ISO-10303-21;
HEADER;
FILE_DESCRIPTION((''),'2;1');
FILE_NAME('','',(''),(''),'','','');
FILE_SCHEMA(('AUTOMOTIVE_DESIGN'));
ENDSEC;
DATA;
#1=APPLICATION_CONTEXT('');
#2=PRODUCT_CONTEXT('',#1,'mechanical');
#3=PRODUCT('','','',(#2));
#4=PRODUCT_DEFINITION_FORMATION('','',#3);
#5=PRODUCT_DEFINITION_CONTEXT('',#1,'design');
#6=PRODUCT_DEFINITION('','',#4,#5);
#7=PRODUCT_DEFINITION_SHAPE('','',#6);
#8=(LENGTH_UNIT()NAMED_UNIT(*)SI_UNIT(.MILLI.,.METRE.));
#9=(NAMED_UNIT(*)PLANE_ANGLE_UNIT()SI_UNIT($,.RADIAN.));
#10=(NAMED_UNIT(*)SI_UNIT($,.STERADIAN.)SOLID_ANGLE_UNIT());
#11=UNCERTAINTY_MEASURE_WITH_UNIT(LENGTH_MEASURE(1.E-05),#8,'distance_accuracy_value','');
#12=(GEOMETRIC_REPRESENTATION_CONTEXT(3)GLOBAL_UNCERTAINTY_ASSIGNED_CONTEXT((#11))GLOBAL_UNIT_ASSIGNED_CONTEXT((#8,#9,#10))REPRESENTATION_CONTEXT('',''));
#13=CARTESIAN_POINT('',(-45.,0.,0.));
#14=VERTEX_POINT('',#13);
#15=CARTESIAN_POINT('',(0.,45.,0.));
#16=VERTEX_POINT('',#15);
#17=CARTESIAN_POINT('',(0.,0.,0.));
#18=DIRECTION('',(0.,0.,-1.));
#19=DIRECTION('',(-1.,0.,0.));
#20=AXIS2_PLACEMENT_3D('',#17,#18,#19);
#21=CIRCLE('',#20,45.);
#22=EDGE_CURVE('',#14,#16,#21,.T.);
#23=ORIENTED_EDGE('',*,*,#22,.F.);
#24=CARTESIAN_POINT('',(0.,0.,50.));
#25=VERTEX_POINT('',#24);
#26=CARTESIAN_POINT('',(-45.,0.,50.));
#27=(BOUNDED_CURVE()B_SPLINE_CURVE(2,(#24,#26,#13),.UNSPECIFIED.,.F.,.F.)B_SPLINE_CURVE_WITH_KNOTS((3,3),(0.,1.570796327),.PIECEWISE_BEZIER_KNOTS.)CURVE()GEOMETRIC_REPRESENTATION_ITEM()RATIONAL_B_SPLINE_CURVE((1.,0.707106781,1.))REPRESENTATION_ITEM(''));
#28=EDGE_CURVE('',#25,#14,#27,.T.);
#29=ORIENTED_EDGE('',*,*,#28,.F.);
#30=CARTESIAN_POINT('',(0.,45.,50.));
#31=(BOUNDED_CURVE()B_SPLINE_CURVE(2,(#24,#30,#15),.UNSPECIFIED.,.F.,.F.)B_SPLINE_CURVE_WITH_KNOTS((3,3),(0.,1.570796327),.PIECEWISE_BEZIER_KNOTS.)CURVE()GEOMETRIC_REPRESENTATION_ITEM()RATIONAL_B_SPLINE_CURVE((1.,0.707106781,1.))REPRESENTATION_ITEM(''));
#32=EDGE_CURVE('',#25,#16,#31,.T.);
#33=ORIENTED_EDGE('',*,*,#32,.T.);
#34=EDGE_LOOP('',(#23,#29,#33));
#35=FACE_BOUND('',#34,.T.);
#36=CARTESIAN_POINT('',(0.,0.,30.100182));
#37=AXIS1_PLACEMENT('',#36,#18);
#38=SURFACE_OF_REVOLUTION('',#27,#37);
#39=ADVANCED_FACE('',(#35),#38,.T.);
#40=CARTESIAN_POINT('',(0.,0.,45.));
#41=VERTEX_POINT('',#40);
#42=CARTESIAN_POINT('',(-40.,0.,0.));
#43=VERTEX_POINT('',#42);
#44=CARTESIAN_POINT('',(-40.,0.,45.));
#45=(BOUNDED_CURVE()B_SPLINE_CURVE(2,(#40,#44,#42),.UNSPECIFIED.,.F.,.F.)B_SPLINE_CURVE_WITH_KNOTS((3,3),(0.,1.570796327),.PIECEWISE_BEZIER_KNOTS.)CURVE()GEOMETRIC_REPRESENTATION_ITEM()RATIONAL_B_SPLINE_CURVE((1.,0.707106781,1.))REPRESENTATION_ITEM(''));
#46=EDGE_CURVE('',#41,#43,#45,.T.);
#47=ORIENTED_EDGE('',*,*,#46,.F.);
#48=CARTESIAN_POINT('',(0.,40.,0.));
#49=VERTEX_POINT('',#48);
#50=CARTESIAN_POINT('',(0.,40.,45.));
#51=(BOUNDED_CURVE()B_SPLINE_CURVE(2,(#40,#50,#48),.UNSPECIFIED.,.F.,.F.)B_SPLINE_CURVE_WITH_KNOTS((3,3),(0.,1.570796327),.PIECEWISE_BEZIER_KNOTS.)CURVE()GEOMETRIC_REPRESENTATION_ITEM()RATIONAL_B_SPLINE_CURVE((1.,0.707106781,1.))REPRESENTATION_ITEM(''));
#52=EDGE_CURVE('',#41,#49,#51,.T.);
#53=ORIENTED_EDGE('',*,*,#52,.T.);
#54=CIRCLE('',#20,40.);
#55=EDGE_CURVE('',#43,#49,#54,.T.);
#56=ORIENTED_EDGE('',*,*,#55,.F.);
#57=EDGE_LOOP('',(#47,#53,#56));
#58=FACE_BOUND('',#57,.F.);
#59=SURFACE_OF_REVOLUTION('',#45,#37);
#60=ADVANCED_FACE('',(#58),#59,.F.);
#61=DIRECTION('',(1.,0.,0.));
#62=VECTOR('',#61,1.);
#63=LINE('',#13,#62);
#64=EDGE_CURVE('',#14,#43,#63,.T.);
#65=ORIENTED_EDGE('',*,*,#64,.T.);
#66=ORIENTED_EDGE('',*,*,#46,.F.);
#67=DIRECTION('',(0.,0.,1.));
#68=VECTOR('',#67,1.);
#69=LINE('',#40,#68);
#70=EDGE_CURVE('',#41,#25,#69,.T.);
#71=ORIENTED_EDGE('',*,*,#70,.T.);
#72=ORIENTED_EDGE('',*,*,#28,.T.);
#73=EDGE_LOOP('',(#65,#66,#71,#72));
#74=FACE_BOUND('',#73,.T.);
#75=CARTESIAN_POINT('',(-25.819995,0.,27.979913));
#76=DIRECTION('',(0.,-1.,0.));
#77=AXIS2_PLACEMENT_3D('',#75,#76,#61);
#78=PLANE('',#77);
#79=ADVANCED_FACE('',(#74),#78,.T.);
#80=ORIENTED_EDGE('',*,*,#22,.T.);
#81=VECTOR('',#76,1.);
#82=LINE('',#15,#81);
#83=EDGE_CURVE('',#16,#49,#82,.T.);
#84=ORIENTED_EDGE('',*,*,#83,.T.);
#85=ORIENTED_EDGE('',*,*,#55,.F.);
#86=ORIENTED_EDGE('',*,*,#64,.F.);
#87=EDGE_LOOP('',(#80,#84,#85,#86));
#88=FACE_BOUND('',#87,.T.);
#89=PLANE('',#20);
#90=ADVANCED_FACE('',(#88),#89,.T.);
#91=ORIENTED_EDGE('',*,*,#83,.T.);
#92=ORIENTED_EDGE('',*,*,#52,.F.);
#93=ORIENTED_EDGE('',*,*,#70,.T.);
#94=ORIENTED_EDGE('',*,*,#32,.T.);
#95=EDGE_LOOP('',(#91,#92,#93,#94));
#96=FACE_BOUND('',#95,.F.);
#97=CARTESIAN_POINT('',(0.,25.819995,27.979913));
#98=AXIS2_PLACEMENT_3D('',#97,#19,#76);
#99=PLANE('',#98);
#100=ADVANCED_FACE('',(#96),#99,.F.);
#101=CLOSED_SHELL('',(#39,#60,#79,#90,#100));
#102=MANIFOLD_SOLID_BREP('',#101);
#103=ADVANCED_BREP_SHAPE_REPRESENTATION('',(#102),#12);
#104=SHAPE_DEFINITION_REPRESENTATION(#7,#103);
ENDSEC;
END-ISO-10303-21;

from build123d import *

# Parameters (mm, degrees)
F1_ANGLE = 90


with BuildPart() as f1:
    # F0 (on Front) → F1 (revolve)
    with BuildSketch(Plane.XZ):
        with BuildLine():
            Line((0, 45), (0, 50))
            add(Edge.make_bspline(
                [(0, 50), (-45, 50), (-45, 0)],
                knots=[0, 0, 0, 1.5707963268, 1.5707963268, 1.5707963268], degree=2, weights=[1, 0.7071067812, 1]))
            Line((-45, 0), (-40, 0))
            add(Edge.make_bspline(
                [(0, 45), (-40, 45), (-40, 0)],
                knots=[0, 0, 0, 1.5707963268, 1.5707963268, 1.5707963268], degree=2, weights=[1, 0.7071067812, 1]))
        make_face()
    revolve(axis=Axis((0, 0, 30.1001816988), (0, 0, -1)), revolution_arc=F1_ANGLE)


solid = f1.part
